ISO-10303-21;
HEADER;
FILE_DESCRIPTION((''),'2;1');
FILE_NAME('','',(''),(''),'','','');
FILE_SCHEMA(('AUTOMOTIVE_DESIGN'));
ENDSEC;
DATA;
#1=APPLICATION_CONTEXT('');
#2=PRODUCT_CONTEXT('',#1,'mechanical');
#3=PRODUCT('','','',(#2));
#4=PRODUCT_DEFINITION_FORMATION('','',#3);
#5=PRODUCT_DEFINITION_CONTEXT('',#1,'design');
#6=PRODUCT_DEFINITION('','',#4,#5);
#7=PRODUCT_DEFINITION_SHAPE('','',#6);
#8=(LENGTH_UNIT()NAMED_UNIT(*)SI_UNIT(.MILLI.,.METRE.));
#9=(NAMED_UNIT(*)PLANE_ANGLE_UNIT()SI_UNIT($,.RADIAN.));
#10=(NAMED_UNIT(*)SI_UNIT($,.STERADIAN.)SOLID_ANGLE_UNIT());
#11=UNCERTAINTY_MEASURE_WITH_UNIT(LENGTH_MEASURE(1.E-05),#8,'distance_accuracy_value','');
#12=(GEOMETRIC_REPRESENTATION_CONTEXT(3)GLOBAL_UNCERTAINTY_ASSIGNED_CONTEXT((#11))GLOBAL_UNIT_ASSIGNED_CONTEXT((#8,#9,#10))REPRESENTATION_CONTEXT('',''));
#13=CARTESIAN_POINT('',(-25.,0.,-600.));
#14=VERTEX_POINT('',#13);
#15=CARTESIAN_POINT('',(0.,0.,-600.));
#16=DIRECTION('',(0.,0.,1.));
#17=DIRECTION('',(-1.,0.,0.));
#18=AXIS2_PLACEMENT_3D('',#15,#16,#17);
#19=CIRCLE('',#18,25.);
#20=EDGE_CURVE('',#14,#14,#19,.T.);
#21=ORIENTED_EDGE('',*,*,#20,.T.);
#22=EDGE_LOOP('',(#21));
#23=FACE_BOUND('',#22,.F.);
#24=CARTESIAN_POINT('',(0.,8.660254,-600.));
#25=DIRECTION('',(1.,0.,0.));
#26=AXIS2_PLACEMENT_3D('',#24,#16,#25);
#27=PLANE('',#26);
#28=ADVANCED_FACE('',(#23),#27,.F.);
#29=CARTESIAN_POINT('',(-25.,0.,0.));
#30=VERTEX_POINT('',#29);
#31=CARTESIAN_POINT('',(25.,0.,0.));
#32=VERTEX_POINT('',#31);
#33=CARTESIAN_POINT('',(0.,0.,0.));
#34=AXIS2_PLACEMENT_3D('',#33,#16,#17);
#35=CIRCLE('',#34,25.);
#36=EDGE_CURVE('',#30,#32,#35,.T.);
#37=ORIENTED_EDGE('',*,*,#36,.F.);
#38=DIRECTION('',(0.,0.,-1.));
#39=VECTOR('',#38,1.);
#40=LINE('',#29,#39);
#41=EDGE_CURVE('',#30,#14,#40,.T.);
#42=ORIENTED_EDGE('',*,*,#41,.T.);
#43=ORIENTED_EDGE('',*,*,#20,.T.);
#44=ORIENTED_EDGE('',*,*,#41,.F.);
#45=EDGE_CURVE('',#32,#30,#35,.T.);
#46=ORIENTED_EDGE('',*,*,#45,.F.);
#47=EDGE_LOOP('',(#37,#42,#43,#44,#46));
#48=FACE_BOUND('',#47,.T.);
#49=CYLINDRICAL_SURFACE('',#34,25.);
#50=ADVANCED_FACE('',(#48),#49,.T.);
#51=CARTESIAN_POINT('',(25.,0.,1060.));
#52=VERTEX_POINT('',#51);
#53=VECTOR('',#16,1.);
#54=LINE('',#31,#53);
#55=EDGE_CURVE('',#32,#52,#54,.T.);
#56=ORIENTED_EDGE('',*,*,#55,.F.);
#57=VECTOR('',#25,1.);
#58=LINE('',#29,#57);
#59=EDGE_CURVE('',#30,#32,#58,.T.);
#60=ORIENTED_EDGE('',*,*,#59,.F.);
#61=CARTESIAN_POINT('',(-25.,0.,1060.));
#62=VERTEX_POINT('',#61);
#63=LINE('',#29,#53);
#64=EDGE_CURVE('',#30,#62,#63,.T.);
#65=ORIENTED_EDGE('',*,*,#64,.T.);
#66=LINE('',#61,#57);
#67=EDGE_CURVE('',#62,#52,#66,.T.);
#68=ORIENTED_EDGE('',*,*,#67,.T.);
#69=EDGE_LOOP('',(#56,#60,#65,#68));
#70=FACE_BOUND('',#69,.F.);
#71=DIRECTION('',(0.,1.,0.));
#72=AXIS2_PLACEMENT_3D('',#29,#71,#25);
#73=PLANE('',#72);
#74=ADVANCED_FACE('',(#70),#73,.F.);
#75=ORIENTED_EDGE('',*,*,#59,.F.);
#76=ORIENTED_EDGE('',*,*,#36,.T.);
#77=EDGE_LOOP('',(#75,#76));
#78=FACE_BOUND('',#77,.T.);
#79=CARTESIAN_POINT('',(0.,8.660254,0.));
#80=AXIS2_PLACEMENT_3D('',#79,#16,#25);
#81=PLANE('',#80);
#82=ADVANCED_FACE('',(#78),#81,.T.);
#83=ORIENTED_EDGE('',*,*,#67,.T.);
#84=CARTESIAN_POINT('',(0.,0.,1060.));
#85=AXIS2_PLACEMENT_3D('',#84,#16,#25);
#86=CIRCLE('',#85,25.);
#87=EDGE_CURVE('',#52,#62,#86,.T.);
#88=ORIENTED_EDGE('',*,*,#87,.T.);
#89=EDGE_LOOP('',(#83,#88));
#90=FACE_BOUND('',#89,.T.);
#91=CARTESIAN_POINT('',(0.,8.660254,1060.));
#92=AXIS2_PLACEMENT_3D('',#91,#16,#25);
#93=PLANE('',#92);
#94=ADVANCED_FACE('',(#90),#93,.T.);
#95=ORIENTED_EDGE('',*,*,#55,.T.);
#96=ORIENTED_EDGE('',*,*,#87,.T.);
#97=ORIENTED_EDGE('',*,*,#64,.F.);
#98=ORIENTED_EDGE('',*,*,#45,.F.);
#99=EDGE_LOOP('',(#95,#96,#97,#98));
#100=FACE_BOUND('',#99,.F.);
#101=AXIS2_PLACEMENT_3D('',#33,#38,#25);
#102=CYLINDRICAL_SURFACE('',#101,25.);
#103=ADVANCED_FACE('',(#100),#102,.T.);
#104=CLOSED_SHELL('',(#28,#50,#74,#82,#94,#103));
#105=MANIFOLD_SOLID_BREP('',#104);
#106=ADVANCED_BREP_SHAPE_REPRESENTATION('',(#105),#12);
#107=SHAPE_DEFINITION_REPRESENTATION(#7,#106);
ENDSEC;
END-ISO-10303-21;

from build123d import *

# Parameters (mm, degrees)
F1_DEPTH = 600
F2_DEPTH = 1060


with BuildPart() as f1:
    # F0 (on Top) → F1 (new body)
    with BuildSketch(Plane.XY):
        with BuildLine():
            Line((-25, 0), (25, 0))
            ThreePointArc((25, 0), (0, 25), (-25, 0))
        make_face()
        with BuildLine():
            ThreePointArc((-25, 0), (0, -25), (25, 0))
            Line((25, 0), (-25, 0))
        make_face()
    extrude(amount=-F1_DEPTH)

    # F0 (on Top) → F2 (join)
    with BuildSketch(Plane.XY):
        with BuildLine():
            Line((-25, 0), (25, 0))
            ThreePointArc((25, 0), (0, 25), (-25, 0))
        make_face()
    extrude(amount=F2_DEPTH)


solid = f1.part
